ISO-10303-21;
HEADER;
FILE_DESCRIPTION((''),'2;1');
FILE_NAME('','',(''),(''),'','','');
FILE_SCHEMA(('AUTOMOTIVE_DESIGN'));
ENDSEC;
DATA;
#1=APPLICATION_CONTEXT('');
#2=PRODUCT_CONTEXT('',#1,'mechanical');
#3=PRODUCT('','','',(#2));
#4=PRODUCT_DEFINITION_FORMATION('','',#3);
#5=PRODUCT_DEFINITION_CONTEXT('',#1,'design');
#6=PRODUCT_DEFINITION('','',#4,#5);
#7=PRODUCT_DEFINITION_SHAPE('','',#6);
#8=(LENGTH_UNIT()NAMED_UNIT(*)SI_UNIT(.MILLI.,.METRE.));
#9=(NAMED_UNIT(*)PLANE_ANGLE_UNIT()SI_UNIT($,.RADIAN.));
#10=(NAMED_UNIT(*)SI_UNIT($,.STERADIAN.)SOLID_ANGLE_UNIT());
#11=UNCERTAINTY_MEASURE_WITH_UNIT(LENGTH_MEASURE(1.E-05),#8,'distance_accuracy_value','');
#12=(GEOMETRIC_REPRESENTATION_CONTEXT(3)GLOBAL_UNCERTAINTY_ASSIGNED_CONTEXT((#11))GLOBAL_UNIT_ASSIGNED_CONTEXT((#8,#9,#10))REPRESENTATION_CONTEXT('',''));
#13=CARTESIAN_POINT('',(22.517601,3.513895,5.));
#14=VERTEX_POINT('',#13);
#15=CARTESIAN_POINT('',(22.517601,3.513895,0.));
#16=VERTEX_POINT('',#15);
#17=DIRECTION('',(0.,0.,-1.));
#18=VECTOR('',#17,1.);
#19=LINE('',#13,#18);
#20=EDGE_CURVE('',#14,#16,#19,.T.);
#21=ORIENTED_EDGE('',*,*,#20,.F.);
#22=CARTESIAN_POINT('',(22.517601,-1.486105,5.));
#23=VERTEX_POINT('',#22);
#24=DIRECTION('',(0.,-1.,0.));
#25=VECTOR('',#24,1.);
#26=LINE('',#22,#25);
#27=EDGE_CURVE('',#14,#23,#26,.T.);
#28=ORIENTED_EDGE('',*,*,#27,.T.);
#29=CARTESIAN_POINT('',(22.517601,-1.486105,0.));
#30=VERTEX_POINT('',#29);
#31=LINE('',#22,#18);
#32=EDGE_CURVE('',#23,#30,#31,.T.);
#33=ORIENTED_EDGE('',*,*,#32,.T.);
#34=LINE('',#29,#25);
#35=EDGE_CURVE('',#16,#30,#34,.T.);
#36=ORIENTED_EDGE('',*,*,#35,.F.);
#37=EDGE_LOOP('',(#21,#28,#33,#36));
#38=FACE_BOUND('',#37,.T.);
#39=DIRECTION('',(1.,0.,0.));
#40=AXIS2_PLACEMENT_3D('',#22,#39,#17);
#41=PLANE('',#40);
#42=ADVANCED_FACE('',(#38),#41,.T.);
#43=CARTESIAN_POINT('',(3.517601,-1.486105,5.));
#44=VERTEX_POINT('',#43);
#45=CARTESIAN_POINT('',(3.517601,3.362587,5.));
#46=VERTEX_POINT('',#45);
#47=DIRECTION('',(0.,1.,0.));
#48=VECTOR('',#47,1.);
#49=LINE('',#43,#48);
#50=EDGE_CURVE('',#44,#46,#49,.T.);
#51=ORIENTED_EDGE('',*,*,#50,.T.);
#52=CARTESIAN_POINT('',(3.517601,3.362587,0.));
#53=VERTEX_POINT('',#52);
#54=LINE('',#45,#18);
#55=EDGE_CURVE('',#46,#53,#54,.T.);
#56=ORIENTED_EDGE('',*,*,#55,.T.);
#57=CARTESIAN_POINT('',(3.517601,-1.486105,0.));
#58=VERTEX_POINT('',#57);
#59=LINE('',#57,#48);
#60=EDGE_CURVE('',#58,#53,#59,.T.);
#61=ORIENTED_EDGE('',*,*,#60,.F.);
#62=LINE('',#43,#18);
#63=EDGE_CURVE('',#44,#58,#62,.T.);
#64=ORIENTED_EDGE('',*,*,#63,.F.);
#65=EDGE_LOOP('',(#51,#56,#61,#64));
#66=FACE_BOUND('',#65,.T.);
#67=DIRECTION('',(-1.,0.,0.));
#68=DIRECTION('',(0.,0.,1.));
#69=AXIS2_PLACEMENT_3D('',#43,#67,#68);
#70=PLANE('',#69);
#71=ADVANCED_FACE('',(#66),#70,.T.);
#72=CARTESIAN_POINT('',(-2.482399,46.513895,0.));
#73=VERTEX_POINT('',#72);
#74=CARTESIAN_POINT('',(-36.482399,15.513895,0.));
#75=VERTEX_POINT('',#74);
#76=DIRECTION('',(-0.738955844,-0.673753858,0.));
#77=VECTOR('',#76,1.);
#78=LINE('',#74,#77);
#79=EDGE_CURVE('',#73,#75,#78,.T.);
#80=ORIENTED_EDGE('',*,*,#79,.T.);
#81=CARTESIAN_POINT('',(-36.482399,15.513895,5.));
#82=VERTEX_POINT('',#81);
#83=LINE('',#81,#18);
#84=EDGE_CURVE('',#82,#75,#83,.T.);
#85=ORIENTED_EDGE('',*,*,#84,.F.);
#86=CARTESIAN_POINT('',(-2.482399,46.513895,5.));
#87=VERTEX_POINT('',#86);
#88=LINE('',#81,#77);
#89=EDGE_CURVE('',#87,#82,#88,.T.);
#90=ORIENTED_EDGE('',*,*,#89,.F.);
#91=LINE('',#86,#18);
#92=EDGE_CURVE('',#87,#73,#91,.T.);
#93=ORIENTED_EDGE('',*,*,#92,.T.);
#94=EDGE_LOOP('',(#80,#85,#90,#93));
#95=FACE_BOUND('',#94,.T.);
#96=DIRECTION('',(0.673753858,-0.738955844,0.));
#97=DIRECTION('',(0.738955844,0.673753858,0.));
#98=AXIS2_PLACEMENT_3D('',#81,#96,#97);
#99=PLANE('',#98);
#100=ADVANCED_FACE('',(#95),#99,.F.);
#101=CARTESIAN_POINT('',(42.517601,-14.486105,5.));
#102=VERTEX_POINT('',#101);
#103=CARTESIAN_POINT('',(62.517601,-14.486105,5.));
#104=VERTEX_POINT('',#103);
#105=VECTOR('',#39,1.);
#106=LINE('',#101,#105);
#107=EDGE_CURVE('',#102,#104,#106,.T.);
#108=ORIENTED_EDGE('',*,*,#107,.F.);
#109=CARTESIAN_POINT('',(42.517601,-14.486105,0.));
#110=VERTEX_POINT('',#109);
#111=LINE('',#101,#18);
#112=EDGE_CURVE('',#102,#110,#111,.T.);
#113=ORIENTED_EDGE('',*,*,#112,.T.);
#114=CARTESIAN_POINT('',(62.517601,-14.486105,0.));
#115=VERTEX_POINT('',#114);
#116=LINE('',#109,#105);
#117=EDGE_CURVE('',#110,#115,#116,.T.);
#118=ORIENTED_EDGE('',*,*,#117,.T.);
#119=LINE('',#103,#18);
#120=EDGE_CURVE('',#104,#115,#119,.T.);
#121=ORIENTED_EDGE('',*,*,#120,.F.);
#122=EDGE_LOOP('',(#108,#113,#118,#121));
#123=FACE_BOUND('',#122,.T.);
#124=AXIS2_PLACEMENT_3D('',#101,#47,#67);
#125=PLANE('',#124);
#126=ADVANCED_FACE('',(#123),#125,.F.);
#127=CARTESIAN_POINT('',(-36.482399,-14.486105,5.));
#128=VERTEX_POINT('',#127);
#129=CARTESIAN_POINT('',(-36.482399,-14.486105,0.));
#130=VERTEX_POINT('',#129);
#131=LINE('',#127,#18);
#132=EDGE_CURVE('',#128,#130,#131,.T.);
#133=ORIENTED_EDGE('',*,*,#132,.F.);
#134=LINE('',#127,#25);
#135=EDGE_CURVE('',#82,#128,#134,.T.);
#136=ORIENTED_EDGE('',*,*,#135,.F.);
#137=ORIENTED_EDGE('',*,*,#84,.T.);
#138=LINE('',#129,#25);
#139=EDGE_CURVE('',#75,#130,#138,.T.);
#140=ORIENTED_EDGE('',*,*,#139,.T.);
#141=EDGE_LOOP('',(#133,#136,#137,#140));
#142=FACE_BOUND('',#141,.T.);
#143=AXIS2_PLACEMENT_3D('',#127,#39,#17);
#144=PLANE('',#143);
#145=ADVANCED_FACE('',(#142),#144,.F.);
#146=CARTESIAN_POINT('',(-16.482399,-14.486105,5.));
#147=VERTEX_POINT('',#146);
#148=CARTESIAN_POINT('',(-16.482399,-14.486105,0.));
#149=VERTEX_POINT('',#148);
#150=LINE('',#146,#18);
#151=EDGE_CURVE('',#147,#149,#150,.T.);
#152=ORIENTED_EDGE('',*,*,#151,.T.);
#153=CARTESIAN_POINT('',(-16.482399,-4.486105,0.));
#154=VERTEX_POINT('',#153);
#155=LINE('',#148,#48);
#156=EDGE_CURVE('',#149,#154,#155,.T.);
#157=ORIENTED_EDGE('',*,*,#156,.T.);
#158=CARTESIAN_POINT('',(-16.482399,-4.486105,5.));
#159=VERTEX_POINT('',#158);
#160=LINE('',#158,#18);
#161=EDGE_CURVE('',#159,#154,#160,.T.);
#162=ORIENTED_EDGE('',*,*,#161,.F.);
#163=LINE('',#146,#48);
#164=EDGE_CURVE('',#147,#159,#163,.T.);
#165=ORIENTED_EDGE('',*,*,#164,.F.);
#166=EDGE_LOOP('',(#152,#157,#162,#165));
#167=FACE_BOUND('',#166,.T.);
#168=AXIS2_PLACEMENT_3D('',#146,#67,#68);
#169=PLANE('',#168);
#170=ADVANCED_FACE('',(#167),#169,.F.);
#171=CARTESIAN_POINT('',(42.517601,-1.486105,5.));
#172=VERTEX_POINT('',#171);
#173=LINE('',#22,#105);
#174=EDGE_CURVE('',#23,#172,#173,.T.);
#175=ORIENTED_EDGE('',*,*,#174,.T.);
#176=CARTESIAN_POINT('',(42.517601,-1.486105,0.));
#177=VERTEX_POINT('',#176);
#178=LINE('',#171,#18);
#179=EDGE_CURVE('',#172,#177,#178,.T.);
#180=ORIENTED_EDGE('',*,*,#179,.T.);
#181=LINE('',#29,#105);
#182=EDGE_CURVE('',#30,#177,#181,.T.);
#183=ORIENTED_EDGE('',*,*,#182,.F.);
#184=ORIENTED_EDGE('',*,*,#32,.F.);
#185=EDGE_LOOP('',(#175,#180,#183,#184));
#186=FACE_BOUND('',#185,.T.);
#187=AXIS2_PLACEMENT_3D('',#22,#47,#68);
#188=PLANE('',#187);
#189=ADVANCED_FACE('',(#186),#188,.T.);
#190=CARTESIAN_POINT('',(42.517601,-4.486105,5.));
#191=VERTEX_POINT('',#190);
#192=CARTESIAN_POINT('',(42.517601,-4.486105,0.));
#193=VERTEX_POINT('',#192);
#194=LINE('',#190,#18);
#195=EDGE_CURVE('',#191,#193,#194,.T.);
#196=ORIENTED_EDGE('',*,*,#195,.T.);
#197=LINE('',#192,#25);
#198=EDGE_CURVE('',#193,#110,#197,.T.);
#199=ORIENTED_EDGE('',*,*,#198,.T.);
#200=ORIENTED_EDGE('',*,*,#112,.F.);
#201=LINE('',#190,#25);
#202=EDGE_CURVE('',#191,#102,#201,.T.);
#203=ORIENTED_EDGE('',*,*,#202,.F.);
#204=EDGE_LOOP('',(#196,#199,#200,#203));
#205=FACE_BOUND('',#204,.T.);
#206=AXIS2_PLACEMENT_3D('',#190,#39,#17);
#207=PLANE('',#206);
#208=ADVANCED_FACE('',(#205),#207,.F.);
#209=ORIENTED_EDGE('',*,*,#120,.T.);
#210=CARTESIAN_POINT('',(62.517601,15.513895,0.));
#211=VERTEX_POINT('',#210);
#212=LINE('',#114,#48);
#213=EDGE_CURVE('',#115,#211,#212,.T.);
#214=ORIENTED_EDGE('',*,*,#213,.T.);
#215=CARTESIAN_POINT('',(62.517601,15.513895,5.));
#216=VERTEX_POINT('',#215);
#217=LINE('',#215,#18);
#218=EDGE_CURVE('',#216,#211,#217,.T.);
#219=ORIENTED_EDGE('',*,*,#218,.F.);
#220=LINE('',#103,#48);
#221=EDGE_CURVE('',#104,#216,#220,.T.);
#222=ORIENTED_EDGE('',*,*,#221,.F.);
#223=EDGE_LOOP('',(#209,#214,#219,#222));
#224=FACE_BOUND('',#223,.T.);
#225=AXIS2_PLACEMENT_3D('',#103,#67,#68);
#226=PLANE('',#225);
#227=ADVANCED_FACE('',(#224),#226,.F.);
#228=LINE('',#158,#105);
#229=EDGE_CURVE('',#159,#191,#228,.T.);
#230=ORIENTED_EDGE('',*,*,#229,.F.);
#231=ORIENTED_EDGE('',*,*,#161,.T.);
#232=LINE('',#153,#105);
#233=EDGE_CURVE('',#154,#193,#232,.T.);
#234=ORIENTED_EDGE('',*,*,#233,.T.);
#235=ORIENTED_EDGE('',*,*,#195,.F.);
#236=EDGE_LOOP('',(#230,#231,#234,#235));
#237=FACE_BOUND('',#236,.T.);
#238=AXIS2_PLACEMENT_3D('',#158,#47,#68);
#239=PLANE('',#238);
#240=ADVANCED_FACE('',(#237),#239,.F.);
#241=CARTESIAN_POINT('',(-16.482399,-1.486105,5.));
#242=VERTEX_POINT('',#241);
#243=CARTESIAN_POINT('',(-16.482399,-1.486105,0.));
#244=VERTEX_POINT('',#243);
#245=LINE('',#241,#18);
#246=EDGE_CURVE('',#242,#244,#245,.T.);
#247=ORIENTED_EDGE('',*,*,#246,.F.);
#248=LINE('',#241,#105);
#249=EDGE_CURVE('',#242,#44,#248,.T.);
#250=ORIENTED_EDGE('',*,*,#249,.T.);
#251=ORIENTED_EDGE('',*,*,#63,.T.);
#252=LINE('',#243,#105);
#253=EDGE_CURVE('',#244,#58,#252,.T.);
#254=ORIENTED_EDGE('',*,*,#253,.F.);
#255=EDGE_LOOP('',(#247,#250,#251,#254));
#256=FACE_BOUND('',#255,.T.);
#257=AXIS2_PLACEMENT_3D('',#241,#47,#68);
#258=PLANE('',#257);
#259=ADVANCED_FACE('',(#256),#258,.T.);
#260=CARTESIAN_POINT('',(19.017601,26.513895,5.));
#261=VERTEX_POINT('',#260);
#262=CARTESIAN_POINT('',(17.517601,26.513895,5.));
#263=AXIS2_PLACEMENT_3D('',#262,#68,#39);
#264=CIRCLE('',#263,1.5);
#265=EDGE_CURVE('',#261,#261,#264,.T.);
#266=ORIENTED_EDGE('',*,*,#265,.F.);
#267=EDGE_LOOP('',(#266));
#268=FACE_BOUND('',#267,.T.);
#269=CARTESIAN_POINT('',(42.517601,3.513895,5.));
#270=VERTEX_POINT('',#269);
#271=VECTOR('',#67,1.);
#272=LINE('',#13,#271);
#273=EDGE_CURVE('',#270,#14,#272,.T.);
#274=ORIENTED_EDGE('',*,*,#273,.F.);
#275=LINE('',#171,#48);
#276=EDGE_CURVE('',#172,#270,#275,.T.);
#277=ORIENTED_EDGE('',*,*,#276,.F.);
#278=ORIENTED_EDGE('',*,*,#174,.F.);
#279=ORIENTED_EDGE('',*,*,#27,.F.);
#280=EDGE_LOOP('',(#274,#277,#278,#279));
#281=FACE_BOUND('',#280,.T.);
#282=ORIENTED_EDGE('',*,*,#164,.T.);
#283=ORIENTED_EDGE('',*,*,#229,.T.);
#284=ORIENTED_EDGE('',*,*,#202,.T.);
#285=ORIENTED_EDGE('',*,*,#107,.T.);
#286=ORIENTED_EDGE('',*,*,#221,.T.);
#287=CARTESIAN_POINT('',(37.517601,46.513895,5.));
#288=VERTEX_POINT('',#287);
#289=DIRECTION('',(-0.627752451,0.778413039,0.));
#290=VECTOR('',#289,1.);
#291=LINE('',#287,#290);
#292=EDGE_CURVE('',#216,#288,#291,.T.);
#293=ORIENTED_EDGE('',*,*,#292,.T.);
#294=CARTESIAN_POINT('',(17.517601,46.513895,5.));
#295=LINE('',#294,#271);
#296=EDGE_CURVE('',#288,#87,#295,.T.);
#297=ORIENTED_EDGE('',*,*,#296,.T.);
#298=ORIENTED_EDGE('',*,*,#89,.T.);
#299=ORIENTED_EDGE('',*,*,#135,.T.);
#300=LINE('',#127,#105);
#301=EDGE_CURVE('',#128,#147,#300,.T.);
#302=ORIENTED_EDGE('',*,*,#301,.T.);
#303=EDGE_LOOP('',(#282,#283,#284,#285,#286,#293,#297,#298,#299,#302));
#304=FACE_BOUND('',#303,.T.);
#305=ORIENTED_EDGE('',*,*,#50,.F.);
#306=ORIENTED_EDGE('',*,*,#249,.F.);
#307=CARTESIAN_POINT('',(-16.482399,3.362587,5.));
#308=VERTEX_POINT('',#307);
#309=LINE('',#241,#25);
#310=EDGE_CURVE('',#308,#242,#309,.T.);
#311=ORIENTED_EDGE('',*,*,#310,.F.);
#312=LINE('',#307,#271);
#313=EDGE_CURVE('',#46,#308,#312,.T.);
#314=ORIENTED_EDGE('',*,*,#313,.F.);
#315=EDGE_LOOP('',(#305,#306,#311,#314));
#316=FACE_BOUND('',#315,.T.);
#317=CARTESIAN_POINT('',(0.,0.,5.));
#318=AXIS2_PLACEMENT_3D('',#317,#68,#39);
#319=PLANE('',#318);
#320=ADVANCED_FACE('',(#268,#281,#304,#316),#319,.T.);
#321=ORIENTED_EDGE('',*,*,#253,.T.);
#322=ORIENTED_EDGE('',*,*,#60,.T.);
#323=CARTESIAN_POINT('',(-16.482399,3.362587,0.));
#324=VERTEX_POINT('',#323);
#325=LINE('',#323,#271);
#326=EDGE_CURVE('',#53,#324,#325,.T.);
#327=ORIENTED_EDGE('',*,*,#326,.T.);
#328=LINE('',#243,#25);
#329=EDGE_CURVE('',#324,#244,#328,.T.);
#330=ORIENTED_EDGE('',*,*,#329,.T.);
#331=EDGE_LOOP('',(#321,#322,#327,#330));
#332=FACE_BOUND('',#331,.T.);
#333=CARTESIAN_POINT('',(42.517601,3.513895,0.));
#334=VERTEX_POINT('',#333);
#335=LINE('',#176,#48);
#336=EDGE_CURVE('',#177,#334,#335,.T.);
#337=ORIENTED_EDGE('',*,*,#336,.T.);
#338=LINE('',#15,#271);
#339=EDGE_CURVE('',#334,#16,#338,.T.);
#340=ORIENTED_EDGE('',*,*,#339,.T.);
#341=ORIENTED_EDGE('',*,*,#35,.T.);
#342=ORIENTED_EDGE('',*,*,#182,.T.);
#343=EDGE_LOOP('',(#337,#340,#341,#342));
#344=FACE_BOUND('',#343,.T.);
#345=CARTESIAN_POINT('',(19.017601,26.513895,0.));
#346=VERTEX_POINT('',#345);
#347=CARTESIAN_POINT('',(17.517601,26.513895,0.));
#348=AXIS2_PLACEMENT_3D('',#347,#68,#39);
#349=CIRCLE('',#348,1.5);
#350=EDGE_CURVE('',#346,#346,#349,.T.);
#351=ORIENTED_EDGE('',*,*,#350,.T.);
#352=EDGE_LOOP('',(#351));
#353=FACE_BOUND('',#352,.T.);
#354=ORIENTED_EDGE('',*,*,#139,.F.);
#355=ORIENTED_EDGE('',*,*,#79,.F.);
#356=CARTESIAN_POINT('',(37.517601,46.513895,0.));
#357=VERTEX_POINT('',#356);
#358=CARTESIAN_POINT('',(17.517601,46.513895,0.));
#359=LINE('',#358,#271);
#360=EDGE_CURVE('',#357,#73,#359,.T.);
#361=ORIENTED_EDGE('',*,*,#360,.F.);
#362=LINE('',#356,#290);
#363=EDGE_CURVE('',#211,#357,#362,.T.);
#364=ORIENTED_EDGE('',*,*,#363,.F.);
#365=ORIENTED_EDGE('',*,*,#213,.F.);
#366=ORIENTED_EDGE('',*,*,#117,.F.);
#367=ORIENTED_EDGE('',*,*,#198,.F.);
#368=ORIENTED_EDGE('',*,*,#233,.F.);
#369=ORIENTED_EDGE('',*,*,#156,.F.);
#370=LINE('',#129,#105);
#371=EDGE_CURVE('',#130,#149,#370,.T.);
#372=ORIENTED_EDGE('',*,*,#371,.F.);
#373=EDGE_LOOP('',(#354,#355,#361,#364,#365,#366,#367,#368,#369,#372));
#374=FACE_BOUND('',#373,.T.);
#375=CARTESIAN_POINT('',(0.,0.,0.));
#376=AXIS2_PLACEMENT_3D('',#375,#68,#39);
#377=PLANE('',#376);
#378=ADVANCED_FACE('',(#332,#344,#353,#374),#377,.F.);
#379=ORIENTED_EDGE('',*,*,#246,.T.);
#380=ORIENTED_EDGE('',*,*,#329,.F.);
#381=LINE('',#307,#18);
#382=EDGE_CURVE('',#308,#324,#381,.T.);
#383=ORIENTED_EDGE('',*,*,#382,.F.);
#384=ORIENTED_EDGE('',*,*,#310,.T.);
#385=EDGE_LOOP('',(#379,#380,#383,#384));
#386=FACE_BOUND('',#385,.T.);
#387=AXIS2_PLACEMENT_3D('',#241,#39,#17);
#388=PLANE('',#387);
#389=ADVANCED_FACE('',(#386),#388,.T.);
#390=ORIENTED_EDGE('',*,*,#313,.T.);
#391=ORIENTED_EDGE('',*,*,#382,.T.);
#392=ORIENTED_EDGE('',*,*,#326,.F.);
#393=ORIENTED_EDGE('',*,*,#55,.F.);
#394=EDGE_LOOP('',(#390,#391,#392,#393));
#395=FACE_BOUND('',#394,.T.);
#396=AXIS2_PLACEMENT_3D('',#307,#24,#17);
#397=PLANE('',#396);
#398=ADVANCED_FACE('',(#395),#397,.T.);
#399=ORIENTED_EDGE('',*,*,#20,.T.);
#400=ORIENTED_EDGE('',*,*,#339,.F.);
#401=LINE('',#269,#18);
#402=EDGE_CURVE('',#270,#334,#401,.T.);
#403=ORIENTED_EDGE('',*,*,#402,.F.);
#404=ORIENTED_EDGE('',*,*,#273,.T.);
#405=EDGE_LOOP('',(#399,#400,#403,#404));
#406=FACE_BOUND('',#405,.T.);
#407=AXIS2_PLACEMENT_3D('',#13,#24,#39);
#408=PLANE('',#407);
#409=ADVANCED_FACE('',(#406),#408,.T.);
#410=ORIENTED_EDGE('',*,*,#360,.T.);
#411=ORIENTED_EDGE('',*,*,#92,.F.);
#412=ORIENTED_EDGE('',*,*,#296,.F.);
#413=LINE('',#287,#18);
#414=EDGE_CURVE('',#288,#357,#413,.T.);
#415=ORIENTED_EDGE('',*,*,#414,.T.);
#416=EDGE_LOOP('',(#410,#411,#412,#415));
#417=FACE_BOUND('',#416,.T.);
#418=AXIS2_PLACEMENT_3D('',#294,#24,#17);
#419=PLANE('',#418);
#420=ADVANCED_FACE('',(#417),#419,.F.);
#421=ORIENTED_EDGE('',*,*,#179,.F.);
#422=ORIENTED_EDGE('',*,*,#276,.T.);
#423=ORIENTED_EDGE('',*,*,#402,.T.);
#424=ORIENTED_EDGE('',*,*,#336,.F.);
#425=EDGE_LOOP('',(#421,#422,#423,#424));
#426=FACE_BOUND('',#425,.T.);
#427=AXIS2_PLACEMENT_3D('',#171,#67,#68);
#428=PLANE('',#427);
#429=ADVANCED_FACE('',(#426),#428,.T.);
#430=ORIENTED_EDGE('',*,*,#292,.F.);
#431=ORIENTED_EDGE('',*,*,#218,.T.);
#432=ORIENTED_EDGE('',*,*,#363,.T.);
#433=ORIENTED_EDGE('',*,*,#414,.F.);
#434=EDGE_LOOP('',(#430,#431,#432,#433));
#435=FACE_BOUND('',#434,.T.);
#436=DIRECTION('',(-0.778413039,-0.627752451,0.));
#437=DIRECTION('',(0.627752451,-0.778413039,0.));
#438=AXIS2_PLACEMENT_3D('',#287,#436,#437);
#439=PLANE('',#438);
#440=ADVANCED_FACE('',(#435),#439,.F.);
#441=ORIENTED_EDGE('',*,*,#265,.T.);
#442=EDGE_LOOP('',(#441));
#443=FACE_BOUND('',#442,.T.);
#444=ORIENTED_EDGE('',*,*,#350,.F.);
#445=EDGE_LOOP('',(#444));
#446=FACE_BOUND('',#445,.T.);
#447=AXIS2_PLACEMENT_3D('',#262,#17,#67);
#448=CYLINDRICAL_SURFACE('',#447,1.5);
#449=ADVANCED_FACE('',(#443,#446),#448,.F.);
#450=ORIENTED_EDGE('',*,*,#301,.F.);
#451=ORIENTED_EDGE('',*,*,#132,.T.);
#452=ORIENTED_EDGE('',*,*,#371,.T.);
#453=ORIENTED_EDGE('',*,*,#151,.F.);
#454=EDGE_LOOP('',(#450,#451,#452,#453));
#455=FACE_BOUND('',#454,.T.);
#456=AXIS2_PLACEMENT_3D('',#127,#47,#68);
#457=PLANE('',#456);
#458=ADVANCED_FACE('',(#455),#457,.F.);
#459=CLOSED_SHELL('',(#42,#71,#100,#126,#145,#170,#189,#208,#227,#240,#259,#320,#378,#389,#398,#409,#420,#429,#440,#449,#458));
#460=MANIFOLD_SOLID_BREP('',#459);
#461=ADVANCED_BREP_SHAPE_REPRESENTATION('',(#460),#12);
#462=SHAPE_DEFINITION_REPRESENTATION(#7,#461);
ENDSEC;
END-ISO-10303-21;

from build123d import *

# Parameters (mm, degrees)
SKETCH1_R           = 1.5
SKETCH1_W           = 20
SKETCH1_H           = 4.848691284
SKETCH1_H_2         = 5
BOSS_EXTRUDE1_DEPTH = 5


with BuildPart() as part:
    # Sketch1 → Boss-Extrude1 (new body)
    with BuildSketch(Plane.XY):
        Polygon((-36.482398682, -14.486104614), (-16.482398682, -14.486104614), (-16.482398682, -4.486104614), (42.517601318, -4.486104614), (42.517601318, -14.486104614), (62.517601318, -14.486104614), (62.517601318, 15.513895386), (37.517601318, 46.513895386), (17.517601318, 46.513895386), (-2.482398682, 46.513895386), (-36.482398682, 15.513895386), align=None)
        with Locations((17.517601318, 26.513895386)):
            Circle(SKETCH1_R, mode=Mode.SUBTRACT)
        with Locations((-6.482398682, 0.938241028)):
            Rectangle(SKETCH1_W, SKETCH1_H, mode=Mode.SUBTRACT)
        with Locations((32.517601318, 1.013895386)):
            Rectangle(SKETCH1_W, SKETCH1_H_2, mode=Mode.SUBTRACT)
    extrude(amount=BOSS_EXTRUDE1_DEPTH)


solid = part.part
